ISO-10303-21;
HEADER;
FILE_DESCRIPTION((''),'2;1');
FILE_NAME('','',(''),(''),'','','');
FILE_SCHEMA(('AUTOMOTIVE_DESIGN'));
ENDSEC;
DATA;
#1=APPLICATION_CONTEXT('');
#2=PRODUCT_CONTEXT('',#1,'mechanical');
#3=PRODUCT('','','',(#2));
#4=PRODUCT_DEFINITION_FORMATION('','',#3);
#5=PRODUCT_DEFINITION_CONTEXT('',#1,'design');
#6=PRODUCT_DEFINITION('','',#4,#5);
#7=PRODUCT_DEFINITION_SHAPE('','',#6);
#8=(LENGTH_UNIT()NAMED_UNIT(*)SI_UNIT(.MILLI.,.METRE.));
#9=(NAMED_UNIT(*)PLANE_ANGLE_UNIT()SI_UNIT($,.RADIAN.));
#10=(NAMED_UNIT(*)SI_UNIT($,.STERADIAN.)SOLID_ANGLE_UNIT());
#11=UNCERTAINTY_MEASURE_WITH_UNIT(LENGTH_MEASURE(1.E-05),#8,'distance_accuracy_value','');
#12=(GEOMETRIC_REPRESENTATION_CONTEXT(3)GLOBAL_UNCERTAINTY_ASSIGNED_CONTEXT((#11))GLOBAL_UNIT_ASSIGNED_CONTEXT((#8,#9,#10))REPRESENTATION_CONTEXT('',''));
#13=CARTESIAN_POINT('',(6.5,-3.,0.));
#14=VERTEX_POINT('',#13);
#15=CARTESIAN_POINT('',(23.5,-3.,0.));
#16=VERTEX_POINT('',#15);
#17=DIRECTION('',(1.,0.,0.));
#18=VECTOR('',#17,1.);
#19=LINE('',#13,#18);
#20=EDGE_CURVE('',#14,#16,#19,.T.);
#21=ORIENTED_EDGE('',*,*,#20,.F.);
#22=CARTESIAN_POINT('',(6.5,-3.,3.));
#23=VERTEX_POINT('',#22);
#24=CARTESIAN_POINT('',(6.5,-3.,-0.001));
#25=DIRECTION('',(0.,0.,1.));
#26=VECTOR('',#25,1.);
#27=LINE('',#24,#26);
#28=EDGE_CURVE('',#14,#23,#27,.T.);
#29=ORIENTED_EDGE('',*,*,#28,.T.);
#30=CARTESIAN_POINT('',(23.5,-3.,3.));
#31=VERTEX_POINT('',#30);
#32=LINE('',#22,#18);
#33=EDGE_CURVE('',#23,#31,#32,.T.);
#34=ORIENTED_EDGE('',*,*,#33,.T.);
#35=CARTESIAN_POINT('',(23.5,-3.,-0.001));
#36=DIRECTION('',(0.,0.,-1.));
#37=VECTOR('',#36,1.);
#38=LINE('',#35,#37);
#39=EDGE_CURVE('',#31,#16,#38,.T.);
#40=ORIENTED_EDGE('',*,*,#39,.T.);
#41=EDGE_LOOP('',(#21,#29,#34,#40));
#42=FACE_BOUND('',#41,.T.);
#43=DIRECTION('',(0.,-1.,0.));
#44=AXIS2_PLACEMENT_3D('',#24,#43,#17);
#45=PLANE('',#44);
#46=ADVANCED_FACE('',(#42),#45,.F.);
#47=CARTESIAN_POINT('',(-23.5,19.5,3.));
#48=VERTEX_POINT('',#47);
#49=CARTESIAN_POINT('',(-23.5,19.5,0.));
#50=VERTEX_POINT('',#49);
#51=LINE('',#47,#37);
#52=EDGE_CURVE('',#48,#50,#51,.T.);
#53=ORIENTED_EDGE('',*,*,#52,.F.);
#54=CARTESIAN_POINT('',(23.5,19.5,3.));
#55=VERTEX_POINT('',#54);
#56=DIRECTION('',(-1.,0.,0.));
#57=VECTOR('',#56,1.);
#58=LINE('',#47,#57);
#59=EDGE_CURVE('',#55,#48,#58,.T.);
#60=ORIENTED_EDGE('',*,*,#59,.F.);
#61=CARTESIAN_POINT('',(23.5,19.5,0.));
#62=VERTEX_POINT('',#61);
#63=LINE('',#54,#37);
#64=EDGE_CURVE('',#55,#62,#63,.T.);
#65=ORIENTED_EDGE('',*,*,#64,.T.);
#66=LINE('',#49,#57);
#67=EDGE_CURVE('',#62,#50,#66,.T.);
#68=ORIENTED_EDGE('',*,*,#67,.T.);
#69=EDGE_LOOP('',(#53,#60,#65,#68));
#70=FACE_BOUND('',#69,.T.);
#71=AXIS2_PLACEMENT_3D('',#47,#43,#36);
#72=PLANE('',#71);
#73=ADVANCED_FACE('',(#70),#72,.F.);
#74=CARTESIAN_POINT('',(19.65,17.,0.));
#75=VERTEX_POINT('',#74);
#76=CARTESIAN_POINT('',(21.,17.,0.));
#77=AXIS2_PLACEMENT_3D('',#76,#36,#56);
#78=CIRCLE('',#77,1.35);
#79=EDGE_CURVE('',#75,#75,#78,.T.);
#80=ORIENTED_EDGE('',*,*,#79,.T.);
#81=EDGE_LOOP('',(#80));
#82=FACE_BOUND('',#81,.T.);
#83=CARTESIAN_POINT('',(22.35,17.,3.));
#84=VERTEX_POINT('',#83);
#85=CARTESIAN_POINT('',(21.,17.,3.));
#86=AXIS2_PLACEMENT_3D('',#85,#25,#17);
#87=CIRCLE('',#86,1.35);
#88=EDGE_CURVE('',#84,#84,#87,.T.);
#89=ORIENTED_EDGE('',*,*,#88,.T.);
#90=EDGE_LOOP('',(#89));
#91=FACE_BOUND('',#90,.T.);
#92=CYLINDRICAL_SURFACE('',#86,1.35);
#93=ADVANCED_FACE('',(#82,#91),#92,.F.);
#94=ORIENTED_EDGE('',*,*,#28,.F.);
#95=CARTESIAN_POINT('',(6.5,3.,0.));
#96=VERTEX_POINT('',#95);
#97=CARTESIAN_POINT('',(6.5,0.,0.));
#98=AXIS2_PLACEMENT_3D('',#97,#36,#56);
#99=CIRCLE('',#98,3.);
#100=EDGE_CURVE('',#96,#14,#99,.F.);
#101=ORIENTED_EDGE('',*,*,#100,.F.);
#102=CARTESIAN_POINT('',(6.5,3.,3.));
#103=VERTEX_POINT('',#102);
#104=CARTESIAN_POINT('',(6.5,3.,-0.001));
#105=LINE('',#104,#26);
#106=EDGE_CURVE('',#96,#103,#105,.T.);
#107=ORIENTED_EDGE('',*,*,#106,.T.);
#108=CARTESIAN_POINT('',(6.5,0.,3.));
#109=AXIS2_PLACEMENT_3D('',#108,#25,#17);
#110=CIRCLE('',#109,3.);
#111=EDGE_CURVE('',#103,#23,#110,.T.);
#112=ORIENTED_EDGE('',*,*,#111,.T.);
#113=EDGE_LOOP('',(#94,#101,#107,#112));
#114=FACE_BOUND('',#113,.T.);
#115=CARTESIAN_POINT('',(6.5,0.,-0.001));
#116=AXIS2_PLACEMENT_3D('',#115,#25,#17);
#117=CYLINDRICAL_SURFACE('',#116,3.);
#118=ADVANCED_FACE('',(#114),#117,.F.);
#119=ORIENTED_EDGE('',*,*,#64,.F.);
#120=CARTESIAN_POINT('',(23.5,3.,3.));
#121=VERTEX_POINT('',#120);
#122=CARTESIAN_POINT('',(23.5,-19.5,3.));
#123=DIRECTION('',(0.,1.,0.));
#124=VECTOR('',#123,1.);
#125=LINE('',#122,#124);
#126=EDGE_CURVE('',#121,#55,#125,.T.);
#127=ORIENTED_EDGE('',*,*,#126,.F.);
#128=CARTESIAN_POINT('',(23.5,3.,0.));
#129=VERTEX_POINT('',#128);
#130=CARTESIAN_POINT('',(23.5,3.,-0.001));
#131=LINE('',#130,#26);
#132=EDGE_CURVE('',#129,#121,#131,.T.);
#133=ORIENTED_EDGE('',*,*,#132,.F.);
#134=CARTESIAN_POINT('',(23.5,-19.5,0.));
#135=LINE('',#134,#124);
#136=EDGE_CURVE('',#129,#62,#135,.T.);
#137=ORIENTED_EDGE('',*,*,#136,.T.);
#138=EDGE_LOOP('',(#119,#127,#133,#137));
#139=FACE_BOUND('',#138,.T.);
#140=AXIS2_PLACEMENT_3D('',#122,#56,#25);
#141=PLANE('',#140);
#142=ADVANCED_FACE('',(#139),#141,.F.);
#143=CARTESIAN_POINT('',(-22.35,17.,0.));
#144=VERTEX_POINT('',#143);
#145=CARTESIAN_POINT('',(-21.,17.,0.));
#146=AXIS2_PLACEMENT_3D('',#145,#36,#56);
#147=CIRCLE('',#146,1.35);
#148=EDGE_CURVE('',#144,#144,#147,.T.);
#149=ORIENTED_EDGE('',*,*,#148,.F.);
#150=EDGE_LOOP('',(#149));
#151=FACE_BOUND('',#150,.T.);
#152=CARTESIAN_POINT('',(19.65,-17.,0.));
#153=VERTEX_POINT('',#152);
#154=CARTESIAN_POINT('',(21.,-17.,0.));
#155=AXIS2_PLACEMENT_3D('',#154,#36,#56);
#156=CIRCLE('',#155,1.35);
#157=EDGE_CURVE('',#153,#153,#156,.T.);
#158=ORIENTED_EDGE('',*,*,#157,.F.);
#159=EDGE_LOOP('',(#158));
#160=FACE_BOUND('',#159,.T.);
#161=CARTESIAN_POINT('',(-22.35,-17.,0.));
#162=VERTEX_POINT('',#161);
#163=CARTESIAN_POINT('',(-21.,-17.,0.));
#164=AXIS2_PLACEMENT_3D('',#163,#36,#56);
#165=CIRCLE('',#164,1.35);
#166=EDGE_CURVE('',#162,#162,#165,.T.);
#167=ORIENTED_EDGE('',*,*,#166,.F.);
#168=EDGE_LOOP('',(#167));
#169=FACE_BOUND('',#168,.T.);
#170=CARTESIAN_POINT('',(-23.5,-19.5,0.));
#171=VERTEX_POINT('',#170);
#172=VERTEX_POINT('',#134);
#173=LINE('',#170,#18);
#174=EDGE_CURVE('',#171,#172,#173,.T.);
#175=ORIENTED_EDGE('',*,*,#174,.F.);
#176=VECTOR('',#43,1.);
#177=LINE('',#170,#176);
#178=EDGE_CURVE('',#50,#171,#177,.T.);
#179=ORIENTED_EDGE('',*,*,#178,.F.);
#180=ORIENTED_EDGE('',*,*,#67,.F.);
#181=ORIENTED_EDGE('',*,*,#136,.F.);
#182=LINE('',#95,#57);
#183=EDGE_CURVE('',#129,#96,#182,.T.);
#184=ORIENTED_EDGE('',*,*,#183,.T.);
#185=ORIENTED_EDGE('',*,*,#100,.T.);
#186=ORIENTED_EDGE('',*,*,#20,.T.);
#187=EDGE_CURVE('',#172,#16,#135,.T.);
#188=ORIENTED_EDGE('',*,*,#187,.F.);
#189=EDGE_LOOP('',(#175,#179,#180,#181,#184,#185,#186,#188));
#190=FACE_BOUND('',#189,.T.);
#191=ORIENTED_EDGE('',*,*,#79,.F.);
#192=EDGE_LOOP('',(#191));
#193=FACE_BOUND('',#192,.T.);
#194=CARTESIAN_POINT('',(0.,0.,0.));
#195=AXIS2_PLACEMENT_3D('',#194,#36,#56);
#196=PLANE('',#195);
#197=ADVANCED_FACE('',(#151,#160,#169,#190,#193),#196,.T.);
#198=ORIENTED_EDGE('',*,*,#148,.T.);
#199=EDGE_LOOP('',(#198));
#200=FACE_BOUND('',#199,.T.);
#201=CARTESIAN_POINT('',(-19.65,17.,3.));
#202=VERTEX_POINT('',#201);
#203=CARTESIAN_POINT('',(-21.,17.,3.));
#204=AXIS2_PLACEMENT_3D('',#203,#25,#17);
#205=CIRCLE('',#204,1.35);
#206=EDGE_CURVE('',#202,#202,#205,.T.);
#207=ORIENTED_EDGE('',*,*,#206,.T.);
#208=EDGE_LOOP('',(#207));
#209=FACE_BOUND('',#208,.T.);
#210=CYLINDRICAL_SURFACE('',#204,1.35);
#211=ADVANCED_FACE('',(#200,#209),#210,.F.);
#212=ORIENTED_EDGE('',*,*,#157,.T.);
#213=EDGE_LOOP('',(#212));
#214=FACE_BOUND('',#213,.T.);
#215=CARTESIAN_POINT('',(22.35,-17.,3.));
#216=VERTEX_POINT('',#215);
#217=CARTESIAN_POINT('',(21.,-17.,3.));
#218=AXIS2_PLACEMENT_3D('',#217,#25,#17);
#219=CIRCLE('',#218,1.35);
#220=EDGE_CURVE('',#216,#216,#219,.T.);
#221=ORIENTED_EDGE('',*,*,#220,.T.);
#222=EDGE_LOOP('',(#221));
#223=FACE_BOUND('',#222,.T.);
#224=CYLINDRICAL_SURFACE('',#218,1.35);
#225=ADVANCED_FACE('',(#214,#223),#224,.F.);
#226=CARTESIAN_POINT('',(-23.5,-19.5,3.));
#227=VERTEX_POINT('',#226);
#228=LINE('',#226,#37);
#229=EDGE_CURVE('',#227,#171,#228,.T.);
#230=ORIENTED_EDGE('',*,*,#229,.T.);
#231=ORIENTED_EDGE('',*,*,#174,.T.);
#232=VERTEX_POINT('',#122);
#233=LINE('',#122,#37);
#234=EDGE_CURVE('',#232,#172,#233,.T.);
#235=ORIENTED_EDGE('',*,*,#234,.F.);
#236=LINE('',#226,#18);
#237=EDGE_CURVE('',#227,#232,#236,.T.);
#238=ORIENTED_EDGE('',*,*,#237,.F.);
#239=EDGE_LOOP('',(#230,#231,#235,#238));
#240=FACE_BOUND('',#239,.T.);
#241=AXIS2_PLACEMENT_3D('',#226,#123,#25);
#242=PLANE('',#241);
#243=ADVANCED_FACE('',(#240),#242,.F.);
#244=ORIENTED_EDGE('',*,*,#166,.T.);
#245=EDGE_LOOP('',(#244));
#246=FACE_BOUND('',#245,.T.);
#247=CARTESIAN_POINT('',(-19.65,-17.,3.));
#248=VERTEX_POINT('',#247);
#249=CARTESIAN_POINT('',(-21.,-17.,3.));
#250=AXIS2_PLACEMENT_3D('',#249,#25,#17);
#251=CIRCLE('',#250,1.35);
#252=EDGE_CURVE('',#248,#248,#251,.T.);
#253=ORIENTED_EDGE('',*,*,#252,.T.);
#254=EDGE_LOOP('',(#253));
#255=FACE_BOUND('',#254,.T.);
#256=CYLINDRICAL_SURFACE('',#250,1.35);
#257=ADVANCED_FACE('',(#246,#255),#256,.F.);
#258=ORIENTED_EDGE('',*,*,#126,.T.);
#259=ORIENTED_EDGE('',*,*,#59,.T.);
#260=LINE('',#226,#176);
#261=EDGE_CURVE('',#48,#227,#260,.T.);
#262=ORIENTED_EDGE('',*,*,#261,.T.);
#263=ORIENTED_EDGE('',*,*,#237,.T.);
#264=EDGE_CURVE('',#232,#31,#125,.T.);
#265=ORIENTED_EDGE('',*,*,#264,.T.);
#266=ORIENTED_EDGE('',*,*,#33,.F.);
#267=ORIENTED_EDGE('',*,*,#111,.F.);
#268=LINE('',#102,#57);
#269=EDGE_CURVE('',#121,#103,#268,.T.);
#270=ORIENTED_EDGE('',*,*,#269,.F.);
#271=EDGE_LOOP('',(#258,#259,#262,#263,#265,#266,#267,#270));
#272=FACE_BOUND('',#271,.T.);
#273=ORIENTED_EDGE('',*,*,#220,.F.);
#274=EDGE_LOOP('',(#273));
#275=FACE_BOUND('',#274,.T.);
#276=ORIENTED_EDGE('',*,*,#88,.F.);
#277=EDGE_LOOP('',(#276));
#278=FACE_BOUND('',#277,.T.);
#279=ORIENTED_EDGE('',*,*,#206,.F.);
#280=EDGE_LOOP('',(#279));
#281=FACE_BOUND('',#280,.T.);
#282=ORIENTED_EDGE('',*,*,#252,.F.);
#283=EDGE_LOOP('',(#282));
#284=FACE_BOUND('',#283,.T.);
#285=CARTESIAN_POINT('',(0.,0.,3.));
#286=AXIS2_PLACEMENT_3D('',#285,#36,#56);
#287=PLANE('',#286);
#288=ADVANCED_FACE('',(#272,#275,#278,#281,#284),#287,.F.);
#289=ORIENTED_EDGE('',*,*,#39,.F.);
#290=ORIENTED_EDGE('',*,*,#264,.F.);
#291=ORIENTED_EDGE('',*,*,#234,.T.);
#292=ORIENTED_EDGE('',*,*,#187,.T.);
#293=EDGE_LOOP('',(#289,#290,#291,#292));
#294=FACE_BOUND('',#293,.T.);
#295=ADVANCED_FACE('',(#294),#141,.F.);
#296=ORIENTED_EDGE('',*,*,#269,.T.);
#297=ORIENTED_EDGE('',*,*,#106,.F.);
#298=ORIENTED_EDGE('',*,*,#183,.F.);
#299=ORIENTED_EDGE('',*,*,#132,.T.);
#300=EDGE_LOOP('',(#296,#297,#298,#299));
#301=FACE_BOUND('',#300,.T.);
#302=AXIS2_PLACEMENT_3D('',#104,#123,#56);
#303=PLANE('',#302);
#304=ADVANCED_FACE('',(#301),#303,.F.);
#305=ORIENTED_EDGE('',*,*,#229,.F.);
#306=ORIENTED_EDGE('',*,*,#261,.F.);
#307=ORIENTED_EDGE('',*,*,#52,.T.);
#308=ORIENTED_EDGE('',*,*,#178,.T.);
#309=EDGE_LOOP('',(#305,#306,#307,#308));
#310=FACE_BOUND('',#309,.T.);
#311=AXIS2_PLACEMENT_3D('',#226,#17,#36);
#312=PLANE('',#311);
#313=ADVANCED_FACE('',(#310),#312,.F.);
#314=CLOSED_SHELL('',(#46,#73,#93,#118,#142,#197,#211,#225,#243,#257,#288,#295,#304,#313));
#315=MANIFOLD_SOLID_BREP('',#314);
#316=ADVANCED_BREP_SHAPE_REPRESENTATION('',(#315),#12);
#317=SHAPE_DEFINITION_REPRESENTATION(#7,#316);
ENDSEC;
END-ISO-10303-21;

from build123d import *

# Parameters (mm, degrees)
SKETCH_1_W           = 47
SKETCH_1_H           = 39
EXTRUDE_1_DEPTH      = 3
HOLE_WIZARD_M2_5_1_D = 2.7
CUT_EXTRUDE_1_REACH  = 32.684


with BuildPart() as part:
    # 草图1 → 凸台-拉伸1 (new body)
    with BuildSketch(Plane.XY):
        Rectangle(SKETCH_1_W, SKETCH_1_H)
    extrude(amount=EXTRUDE_1_DEPTH)

    # M2.5 间隙孔1 (through all)
    with Locations(Plane.XY.offset(3)):
        with Locations((-21, -17), (21, 17), (21, -17), (-21, 17)):
            Hole(HOLE_WIZARD_M2_5_1_D / 2)

    # 草图5 → 切除-拉伸1 (cut, up to next)
    with BuildSketch(Plane.XY.offset(3), mode=Mode.PRIVATE) as cut_extrude_1_sk1:
        with BuildLine():
            Line((6.5, 3), (23.5, 3))
            ThreePointArc((23.5, 3), (26.5, 0), (23.5, -3))
            Line((23.5, -3), (6.5, -3))
            ThreePointArc((6.5, -3), (3.5, 0), (6.5, 3))
        make_face()
    cut_extrude_1_tool1 = extrude(cut_extrude_1_sk1.sketch, amount=-CUT_EXTRUDE_1_REACH, mode=Mode.PRIVATE) & part.part
    add(cut_extrude_1_tool1.solids().sort_by_distance((15, 0, 3))[0], mode=Mode.SUBTRACT)


solid = part.part
